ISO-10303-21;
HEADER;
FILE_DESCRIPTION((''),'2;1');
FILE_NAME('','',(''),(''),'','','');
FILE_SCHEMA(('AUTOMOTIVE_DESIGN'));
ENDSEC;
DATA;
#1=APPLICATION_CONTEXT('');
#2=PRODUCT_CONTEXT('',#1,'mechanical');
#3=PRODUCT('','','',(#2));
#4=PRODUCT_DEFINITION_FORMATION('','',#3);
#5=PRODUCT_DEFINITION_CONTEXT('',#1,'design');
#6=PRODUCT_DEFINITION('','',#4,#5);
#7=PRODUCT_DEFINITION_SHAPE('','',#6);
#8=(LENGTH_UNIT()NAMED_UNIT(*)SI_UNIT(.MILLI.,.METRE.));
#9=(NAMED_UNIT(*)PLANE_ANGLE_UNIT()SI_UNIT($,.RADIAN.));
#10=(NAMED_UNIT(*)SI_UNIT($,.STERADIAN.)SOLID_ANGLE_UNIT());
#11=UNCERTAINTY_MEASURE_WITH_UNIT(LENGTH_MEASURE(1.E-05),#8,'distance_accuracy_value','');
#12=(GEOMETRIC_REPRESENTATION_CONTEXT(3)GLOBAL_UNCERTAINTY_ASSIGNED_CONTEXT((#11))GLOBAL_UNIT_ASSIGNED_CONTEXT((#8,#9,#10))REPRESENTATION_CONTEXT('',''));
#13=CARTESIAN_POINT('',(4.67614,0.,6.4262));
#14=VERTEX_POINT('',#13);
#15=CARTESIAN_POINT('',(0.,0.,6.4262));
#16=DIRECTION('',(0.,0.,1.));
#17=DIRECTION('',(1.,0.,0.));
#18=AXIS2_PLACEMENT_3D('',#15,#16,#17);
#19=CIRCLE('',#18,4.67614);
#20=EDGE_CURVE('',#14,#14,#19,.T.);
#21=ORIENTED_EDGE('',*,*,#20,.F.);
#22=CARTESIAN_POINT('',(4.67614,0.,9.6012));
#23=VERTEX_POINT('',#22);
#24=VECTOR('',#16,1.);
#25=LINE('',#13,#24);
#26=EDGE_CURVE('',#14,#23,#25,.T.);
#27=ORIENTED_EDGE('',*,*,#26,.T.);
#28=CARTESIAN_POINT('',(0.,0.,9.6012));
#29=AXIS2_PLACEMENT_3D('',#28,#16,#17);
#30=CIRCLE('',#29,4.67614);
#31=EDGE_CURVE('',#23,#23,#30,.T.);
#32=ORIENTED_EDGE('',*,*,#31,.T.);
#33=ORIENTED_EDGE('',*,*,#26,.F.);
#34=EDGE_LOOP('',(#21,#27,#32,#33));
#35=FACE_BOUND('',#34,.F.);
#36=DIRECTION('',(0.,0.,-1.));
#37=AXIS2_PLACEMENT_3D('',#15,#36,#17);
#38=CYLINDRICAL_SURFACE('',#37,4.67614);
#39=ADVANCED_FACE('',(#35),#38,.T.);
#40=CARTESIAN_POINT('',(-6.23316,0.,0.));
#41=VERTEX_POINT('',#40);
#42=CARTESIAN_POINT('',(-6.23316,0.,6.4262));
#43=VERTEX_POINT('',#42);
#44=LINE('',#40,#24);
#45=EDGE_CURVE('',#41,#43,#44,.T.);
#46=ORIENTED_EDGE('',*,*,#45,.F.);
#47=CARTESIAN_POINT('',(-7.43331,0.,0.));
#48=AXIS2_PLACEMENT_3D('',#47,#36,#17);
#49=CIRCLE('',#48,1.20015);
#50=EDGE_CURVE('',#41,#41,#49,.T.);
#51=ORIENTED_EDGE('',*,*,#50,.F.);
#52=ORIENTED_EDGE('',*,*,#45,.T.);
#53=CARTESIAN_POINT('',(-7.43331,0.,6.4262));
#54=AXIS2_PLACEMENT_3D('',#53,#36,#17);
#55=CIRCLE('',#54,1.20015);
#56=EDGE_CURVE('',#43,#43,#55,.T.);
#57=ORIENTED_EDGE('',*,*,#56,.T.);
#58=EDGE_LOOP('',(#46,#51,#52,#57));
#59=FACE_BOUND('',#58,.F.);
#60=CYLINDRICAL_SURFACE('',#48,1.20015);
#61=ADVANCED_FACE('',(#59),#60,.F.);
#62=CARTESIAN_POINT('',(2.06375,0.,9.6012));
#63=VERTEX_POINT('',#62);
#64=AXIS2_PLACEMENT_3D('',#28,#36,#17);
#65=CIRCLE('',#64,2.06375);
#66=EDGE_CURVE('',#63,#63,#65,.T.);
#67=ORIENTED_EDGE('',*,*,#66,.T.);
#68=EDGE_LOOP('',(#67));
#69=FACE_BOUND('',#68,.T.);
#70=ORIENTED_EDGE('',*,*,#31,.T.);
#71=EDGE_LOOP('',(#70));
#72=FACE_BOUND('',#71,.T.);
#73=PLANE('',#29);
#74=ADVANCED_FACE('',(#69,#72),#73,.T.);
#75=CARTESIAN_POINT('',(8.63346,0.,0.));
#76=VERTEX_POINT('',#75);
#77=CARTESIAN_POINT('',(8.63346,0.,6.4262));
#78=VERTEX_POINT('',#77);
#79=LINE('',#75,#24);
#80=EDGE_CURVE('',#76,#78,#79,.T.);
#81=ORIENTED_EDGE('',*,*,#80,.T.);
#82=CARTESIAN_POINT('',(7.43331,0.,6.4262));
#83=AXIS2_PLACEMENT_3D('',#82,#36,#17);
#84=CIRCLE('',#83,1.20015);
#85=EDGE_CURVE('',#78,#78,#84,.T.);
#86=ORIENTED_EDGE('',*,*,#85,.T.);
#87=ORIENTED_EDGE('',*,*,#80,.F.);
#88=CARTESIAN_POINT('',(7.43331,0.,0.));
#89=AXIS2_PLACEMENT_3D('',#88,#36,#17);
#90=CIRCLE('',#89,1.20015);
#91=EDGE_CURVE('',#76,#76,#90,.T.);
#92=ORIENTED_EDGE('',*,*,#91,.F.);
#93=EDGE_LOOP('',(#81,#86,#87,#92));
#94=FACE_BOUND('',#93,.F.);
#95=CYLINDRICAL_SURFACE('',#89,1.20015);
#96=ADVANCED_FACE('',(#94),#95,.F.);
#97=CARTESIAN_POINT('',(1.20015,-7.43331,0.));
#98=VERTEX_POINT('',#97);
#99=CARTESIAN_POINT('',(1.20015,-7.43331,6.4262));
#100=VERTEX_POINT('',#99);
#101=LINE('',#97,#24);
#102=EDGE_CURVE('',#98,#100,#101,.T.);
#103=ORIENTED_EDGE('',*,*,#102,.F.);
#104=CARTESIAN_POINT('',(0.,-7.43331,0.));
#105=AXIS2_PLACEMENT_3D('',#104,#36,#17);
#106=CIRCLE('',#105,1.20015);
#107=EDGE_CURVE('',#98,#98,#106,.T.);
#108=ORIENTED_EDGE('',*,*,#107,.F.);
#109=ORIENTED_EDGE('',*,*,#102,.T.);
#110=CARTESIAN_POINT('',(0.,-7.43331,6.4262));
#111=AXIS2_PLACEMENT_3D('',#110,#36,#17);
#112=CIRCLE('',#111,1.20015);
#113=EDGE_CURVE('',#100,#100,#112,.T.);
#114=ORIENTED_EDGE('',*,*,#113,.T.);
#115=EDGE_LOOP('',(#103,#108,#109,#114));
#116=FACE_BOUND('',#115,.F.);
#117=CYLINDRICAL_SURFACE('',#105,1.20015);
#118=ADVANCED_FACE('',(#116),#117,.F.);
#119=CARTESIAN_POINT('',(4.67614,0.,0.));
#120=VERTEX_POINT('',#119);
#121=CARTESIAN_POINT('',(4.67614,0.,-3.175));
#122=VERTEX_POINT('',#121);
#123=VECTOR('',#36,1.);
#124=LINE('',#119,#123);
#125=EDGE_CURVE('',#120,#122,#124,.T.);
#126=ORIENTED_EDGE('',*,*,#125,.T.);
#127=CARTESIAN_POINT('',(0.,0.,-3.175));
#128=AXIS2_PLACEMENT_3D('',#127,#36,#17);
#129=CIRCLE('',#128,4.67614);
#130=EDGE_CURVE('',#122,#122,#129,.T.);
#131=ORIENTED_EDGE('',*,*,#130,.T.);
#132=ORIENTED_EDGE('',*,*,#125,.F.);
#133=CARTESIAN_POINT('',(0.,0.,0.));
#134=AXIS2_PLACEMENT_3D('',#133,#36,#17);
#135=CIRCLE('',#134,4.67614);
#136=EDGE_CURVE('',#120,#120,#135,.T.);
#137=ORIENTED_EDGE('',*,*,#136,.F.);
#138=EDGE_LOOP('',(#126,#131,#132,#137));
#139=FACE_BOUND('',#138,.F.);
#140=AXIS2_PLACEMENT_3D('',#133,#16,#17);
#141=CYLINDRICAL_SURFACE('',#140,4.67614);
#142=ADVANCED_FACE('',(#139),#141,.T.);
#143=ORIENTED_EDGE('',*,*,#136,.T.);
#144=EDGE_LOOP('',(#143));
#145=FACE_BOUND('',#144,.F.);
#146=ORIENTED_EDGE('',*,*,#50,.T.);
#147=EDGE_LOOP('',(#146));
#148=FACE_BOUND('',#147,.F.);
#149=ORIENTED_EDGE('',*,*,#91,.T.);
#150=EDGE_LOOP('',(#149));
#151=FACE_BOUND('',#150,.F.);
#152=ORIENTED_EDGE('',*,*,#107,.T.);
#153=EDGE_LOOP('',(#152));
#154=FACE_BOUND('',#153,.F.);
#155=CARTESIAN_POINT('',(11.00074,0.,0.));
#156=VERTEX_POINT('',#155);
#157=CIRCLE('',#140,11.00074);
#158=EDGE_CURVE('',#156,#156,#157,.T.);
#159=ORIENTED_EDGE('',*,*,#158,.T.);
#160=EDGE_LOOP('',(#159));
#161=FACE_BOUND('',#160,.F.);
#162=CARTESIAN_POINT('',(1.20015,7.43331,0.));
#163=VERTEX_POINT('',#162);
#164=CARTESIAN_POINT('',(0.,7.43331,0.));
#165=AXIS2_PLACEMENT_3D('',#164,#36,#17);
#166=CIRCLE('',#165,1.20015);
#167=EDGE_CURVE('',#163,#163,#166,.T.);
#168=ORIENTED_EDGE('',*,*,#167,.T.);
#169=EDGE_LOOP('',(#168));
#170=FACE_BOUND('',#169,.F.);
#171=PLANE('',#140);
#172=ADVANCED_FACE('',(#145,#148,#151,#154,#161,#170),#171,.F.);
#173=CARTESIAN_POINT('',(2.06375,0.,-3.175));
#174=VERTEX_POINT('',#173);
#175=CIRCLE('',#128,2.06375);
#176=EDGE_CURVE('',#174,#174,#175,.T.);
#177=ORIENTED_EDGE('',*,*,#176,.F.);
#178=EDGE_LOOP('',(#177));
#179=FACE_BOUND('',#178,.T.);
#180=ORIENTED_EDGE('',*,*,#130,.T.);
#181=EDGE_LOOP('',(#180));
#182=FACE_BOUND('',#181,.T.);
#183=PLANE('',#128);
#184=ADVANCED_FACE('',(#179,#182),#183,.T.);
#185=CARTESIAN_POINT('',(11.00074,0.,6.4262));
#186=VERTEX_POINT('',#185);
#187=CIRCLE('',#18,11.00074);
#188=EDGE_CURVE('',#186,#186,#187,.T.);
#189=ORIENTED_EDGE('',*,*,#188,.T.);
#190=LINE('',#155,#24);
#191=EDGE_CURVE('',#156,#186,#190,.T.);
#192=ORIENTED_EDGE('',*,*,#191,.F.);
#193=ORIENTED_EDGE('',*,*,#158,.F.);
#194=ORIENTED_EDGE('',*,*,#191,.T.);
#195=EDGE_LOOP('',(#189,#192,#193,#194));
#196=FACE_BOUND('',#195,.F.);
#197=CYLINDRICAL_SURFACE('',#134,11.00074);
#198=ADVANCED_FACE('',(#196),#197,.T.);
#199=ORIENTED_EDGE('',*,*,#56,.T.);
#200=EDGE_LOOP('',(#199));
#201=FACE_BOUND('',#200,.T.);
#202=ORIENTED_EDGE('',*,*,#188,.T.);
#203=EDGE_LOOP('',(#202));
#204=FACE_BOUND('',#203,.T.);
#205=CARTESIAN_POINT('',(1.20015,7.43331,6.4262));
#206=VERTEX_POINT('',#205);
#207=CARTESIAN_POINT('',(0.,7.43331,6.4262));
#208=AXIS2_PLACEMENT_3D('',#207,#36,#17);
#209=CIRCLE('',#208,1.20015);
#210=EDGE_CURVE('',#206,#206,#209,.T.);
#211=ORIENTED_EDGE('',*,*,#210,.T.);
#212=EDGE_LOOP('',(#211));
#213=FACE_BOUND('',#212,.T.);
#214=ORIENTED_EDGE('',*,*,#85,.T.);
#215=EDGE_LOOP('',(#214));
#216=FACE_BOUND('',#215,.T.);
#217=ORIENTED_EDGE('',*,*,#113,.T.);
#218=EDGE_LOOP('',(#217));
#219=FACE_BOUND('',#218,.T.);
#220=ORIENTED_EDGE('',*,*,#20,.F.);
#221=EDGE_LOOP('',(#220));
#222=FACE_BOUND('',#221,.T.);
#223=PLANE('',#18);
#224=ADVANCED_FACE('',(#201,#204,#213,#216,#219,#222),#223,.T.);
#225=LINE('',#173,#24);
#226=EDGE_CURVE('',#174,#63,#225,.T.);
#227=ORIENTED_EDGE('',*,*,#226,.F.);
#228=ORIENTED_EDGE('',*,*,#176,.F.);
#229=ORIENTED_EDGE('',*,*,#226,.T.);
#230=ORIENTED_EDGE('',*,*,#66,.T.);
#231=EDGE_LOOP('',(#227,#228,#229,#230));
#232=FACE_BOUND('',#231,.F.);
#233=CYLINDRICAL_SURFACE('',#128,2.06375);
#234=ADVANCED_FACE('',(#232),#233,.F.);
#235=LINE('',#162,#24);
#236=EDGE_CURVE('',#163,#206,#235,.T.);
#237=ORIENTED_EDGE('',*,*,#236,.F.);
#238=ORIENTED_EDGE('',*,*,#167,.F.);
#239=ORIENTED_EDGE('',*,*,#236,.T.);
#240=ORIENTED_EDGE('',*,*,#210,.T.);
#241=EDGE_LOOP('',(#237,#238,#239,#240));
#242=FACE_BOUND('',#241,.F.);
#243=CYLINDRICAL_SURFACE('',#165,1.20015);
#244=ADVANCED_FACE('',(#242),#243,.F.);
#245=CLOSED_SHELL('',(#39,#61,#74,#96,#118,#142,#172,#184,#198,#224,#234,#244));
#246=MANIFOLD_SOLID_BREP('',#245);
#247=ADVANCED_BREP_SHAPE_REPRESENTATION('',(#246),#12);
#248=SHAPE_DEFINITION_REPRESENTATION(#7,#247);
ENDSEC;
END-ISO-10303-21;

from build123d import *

# Parameters (mm, degrees)
SKETCH_R        = 11.00074
PAD_DEPTH       = 6.4262
SKETCH001_R     = 4.67614
PAD001_DEPTH    = 3.175
SKETCH002_R     = 4.67614
PAD002_DEPTH    = 3.175
SKETCH003_R     = 2.06375
POCKET_DEPTH    = 12.7772
SKETCH004_R     = 1.20015
POCKET001_DEPTH = 9.6022


with BuildPart() as part:
    # Sketch → Pad (new body)
    with BuildSketch(Plane.XY):
        Circle(SKETCH_R)
    extrude(amount=PAD_DEPTH)

    # Sketch001 → Pad001 (new body)
    with BuildSketch(Plane.XY.offset(6.4262)):
        Circle(SKETCH001_R)
    extrude(amount=PAD001_DEPTH)

    # Sketch002 → Pad002 (new body)
    with BuildSketch(Plane(origin=(0, 0, 0), x_dir=(1, 0, 0), z_dir=(0, 0, -1))):
        Circle(SKETCH002_R)
    extrude(amount=PAD002_DEPTH)

    # Sketch003 → Pocket (cut, through all)
    with BuildSketch(Plane(origin=(0, 0, -3.175), x_dir=(1, 0, 0), z_dir=(0, 0, -1))):
        Circle(SKETCH003_R)
    extrude(amount=-POCKET_DEPTH, mode=Mode.SUBTRACT)

    # Sketch004 → Pocket001 (cut, through all)
    with BuildSketch(Plane(origin=(0, 0, 0), x_dir=(1, 0, 0), z_dir=(0, 0, -1))):
        with Locations((7.43331, 0)):
            Circle(SKETCH004_R)
        with Locations((0, -7.43331)):
            Circle(SKETCH004_R)
        with Locations((0, 7.43331)):
            Circle(SKETCH004_R)
        with Locations((-7.43331, 0)):
            Circle(SKETCH004_R)
    extrude(amount=-POCKET001_DEPTH, mode=Mode.SUBTRACT)


solid = part.part
